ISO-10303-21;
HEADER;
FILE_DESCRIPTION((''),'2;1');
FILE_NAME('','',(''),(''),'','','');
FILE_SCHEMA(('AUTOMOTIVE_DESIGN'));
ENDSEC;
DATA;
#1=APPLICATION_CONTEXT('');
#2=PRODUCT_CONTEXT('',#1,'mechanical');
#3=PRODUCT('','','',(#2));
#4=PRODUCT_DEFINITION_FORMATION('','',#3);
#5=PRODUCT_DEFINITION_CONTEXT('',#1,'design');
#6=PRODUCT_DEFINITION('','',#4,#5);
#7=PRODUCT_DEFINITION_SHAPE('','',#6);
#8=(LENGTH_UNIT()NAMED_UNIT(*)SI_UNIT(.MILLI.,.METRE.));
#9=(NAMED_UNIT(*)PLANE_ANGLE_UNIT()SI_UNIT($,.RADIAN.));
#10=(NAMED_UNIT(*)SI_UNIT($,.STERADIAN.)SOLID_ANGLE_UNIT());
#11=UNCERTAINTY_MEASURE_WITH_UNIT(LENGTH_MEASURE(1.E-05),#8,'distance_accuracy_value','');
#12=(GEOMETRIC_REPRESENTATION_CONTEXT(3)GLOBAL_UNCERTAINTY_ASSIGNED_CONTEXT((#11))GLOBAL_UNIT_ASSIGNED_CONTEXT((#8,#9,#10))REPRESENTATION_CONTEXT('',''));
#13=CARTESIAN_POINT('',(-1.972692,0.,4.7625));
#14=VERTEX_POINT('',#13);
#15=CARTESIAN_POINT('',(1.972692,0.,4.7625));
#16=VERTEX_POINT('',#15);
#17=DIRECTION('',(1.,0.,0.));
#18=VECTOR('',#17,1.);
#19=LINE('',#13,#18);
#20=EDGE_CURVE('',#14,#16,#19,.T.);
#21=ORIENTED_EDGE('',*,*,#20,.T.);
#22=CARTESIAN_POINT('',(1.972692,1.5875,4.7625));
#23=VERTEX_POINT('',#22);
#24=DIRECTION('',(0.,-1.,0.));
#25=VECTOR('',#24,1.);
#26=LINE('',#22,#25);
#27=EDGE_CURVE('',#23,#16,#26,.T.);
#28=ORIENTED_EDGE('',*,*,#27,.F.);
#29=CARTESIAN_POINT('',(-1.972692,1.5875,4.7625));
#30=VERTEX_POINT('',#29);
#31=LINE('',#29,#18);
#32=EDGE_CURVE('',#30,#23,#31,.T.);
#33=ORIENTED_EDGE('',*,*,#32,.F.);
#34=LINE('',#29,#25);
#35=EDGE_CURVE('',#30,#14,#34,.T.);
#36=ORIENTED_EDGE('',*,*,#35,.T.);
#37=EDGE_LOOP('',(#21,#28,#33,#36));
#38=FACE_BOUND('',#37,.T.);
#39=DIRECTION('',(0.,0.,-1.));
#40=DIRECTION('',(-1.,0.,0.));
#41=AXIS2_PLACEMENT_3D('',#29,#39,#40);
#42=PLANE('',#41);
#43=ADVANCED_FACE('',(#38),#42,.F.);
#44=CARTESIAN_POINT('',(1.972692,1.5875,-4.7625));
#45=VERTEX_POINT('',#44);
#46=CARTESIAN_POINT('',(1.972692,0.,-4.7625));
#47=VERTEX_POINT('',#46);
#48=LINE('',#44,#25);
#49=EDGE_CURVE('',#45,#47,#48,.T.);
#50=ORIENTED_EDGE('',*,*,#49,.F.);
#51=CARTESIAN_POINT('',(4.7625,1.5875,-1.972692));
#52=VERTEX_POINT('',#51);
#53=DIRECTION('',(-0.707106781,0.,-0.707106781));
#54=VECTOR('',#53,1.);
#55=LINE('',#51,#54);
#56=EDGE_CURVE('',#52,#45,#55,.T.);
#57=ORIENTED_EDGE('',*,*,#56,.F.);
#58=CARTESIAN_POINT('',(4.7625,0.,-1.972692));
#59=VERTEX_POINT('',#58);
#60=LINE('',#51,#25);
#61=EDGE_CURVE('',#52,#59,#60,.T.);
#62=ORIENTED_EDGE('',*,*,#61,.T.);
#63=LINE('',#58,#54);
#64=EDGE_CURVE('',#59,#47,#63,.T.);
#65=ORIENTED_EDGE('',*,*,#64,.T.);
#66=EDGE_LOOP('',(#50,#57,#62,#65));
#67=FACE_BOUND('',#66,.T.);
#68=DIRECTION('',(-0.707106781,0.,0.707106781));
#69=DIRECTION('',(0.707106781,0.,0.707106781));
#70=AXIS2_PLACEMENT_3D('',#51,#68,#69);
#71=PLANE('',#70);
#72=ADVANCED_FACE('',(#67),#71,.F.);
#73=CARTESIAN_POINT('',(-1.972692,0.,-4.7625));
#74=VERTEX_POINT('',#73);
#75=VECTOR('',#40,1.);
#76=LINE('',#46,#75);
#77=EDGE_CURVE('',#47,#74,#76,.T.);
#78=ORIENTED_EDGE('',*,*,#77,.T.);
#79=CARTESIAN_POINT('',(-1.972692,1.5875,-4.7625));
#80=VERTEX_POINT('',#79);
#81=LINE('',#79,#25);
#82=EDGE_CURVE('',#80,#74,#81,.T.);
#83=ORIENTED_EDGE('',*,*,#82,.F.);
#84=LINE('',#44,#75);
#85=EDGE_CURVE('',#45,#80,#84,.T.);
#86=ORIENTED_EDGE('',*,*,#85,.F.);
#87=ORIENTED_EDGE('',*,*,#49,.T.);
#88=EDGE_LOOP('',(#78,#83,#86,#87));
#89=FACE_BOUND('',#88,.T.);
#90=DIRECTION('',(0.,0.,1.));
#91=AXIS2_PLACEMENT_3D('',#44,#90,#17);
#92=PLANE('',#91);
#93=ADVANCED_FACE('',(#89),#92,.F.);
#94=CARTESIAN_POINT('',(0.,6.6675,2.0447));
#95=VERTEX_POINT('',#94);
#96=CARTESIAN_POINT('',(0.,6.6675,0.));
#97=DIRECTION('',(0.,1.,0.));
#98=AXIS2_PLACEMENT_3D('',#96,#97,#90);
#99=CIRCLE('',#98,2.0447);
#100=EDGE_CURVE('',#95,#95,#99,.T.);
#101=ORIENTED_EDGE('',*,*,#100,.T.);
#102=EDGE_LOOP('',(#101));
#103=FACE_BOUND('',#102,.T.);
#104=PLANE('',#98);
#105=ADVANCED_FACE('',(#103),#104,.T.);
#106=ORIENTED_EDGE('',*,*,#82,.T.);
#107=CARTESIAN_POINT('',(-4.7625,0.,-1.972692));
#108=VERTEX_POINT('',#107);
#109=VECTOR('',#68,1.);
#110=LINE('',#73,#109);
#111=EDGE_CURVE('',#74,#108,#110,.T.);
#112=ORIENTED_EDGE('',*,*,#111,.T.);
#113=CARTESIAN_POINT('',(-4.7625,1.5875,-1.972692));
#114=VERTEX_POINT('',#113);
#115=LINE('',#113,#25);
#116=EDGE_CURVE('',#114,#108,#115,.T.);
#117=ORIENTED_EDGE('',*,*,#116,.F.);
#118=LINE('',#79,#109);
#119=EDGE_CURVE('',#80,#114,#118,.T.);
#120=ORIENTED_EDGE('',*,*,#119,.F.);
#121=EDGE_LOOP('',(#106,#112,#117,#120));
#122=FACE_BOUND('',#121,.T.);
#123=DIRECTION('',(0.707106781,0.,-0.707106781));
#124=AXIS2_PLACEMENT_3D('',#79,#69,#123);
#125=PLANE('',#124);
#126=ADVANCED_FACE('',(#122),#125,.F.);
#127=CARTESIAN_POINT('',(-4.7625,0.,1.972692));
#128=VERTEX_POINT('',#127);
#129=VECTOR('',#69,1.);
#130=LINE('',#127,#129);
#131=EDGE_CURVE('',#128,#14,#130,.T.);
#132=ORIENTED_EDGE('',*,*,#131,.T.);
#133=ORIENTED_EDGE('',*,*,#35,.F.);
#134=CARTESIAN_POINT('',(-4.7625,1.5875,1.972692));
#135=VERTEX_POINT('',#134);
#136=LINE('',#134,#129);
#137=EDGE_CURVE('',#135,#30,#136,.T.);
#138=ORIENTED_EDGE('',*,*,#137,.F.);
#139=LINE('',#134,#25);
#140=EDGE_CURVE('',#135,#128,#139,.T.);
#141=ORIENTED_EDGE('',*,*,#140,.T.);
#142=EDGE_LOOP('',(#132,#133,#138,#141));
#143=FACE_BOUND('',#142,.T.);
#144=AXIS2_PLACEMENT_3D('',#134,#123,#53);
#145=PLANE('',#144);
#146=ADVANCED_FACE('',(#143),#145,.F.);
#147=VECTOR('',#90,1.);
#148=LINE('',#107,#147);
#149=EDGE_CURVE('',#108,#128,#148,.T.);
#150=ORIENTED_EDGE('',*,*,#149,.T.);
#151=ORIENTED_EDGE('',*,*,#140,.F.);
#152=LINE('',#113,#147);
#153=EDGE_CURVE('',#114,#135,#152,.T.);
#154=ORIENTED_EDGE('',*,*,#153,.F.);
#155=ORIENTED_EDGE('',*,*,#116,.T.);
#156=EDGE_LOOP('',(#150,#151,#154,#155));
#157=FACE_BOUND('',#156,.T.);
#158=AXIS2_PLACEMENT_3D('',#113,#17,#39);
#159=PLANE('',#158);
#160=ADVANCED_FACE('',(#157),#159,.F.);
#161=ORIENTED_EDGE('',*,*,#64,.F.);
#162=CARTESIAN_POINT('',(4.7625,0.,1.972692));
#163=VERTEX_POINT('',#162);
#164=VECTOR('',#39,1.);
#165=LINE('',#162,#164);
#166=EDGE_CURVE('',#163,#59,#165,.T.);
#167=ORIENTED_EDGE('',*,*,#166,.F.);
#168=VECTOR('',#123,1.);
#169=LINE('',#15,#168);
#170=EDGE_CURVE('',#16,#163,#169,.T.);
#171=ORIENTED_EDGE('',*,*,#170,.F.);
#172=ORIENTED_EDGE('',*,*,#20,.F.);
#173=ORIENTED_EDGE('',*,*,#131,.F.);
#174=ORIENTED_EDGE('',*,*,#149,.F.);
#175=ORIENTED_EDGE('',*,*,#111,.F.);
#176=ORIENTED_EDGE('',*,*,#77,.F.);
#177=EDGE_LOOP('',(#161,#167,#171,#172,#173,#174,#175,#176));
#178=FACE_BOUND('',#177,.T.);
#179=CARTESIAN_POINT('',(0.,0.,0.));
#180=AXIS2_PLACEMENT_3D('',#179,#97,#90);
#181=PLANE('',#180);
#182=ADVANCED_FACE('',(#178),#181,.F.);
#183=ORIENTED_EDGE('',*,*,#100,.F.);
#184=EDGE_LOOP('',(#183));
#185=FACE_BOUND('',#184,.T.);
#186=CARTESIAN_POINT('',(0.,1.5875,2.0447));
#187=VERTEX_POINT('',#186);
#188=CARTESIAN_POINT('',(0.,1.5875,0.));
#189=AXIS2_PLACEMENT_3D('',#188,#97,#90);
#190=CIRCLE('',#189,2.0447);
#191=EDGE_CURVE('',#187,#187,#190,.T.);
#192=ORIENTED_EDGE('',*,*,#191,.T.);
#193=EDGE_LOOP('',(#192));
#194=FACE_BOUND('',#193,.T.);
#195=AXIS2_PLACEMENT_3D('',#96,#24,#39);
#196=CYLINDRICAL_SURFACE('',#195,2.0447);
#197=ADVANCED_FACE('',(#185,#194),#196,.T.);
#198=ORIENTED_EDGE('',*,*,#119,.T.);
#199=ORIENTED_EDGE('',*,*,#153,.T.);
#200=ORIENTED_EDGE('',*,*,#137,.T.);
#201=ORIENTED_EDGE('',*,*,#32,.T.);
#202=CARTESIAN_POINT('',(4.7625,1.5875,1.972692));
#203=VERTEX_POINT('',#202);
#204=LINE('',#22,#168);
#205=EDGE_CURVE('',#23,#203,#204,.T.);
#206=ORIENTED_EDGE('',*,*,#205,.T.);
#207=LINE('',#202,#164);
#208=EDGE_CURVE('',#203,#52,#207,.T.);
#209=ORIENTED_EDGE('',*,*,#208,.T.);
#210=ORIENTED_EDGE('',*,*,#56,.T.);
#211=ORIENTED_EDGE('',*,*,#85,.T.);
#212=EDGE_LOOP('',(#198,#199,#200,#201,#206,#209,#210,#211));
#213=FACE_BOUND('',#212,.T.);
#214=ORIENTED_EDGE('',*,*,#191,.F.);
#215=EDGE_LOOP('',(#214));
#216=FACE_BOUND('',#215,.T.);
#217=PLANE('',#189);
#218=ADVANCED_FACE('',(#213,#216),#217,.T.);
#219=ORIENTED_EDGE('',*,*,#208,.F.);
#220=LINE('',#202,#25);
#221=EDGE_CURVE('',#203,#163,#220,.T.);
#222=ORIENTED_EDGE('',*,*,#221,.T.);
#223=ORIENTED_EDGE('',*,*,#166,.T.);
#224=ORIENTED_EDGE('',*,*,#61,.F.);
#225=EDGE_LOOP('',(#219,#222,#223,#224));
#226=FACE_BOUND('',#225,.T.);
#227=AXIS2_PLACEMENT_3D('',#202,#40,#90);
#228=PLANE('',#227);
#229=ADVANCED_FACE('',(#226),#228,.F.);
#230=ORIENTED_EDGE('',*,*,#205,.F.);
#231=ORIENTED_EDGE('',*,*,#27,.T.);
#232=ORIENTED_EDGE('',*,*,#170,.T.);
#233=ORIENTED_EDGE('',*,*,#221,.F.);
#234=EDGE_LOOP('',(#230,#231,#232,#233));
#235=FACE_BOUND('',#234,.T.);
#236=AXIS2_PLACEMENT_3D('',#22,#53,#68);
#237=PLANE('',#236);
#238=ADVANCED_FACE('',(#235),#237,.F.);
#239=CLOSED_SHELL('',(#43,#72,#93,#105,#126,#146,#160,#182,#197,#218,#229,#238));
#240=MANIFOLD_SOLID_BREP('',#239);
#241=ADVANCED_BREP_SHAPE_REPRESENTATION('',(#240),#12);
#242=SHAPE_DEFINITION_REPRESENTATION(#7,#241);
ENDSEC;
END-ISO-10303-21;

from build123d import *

# Parameters (mm, degrees)
BOSS_EXTRUDE1_DEPTH = 1.5875
SKETCH2_R           = 2.0447
BOSS_EXTRUDE3_DEPTH = 5.08


with BuildPart() as part:
    # Sketch1 → Boss-Extrude1 (new body)
    with BuildSketch(Plane(origin=(0, 0, 0), x_dir=(1, 0, 0), z_dir=(0, 1, 0))):
        Polygon((4.7625, -1.972692091), (4.7625, 1.972692091), (1.972692091, 4.7625), (-1.972692091, 4.7625), (-4.7625, 1.972692091), (-4.7625, -1.972692091), (-1.972692091, -4.7625), (1.972692091, -4.7625), align=None)
    extrude(amount=BOSS_EXTRUDE1_DEPTH)

    # Sketch2 → Boss-Extrude3 (add)
    with BuildSketch(Plane(origin=(0, 1.5875, 0), x_dir=(1, 0, 0), z_dir=(0, 1, 0))):
        with Locations(Location((0, 0, 0), (0, 0, 270))):
            Circle(SKETCH2_R)
    extrude(amount=BOSS_EXTRUDE3_DEPTH)


solid = part.part
